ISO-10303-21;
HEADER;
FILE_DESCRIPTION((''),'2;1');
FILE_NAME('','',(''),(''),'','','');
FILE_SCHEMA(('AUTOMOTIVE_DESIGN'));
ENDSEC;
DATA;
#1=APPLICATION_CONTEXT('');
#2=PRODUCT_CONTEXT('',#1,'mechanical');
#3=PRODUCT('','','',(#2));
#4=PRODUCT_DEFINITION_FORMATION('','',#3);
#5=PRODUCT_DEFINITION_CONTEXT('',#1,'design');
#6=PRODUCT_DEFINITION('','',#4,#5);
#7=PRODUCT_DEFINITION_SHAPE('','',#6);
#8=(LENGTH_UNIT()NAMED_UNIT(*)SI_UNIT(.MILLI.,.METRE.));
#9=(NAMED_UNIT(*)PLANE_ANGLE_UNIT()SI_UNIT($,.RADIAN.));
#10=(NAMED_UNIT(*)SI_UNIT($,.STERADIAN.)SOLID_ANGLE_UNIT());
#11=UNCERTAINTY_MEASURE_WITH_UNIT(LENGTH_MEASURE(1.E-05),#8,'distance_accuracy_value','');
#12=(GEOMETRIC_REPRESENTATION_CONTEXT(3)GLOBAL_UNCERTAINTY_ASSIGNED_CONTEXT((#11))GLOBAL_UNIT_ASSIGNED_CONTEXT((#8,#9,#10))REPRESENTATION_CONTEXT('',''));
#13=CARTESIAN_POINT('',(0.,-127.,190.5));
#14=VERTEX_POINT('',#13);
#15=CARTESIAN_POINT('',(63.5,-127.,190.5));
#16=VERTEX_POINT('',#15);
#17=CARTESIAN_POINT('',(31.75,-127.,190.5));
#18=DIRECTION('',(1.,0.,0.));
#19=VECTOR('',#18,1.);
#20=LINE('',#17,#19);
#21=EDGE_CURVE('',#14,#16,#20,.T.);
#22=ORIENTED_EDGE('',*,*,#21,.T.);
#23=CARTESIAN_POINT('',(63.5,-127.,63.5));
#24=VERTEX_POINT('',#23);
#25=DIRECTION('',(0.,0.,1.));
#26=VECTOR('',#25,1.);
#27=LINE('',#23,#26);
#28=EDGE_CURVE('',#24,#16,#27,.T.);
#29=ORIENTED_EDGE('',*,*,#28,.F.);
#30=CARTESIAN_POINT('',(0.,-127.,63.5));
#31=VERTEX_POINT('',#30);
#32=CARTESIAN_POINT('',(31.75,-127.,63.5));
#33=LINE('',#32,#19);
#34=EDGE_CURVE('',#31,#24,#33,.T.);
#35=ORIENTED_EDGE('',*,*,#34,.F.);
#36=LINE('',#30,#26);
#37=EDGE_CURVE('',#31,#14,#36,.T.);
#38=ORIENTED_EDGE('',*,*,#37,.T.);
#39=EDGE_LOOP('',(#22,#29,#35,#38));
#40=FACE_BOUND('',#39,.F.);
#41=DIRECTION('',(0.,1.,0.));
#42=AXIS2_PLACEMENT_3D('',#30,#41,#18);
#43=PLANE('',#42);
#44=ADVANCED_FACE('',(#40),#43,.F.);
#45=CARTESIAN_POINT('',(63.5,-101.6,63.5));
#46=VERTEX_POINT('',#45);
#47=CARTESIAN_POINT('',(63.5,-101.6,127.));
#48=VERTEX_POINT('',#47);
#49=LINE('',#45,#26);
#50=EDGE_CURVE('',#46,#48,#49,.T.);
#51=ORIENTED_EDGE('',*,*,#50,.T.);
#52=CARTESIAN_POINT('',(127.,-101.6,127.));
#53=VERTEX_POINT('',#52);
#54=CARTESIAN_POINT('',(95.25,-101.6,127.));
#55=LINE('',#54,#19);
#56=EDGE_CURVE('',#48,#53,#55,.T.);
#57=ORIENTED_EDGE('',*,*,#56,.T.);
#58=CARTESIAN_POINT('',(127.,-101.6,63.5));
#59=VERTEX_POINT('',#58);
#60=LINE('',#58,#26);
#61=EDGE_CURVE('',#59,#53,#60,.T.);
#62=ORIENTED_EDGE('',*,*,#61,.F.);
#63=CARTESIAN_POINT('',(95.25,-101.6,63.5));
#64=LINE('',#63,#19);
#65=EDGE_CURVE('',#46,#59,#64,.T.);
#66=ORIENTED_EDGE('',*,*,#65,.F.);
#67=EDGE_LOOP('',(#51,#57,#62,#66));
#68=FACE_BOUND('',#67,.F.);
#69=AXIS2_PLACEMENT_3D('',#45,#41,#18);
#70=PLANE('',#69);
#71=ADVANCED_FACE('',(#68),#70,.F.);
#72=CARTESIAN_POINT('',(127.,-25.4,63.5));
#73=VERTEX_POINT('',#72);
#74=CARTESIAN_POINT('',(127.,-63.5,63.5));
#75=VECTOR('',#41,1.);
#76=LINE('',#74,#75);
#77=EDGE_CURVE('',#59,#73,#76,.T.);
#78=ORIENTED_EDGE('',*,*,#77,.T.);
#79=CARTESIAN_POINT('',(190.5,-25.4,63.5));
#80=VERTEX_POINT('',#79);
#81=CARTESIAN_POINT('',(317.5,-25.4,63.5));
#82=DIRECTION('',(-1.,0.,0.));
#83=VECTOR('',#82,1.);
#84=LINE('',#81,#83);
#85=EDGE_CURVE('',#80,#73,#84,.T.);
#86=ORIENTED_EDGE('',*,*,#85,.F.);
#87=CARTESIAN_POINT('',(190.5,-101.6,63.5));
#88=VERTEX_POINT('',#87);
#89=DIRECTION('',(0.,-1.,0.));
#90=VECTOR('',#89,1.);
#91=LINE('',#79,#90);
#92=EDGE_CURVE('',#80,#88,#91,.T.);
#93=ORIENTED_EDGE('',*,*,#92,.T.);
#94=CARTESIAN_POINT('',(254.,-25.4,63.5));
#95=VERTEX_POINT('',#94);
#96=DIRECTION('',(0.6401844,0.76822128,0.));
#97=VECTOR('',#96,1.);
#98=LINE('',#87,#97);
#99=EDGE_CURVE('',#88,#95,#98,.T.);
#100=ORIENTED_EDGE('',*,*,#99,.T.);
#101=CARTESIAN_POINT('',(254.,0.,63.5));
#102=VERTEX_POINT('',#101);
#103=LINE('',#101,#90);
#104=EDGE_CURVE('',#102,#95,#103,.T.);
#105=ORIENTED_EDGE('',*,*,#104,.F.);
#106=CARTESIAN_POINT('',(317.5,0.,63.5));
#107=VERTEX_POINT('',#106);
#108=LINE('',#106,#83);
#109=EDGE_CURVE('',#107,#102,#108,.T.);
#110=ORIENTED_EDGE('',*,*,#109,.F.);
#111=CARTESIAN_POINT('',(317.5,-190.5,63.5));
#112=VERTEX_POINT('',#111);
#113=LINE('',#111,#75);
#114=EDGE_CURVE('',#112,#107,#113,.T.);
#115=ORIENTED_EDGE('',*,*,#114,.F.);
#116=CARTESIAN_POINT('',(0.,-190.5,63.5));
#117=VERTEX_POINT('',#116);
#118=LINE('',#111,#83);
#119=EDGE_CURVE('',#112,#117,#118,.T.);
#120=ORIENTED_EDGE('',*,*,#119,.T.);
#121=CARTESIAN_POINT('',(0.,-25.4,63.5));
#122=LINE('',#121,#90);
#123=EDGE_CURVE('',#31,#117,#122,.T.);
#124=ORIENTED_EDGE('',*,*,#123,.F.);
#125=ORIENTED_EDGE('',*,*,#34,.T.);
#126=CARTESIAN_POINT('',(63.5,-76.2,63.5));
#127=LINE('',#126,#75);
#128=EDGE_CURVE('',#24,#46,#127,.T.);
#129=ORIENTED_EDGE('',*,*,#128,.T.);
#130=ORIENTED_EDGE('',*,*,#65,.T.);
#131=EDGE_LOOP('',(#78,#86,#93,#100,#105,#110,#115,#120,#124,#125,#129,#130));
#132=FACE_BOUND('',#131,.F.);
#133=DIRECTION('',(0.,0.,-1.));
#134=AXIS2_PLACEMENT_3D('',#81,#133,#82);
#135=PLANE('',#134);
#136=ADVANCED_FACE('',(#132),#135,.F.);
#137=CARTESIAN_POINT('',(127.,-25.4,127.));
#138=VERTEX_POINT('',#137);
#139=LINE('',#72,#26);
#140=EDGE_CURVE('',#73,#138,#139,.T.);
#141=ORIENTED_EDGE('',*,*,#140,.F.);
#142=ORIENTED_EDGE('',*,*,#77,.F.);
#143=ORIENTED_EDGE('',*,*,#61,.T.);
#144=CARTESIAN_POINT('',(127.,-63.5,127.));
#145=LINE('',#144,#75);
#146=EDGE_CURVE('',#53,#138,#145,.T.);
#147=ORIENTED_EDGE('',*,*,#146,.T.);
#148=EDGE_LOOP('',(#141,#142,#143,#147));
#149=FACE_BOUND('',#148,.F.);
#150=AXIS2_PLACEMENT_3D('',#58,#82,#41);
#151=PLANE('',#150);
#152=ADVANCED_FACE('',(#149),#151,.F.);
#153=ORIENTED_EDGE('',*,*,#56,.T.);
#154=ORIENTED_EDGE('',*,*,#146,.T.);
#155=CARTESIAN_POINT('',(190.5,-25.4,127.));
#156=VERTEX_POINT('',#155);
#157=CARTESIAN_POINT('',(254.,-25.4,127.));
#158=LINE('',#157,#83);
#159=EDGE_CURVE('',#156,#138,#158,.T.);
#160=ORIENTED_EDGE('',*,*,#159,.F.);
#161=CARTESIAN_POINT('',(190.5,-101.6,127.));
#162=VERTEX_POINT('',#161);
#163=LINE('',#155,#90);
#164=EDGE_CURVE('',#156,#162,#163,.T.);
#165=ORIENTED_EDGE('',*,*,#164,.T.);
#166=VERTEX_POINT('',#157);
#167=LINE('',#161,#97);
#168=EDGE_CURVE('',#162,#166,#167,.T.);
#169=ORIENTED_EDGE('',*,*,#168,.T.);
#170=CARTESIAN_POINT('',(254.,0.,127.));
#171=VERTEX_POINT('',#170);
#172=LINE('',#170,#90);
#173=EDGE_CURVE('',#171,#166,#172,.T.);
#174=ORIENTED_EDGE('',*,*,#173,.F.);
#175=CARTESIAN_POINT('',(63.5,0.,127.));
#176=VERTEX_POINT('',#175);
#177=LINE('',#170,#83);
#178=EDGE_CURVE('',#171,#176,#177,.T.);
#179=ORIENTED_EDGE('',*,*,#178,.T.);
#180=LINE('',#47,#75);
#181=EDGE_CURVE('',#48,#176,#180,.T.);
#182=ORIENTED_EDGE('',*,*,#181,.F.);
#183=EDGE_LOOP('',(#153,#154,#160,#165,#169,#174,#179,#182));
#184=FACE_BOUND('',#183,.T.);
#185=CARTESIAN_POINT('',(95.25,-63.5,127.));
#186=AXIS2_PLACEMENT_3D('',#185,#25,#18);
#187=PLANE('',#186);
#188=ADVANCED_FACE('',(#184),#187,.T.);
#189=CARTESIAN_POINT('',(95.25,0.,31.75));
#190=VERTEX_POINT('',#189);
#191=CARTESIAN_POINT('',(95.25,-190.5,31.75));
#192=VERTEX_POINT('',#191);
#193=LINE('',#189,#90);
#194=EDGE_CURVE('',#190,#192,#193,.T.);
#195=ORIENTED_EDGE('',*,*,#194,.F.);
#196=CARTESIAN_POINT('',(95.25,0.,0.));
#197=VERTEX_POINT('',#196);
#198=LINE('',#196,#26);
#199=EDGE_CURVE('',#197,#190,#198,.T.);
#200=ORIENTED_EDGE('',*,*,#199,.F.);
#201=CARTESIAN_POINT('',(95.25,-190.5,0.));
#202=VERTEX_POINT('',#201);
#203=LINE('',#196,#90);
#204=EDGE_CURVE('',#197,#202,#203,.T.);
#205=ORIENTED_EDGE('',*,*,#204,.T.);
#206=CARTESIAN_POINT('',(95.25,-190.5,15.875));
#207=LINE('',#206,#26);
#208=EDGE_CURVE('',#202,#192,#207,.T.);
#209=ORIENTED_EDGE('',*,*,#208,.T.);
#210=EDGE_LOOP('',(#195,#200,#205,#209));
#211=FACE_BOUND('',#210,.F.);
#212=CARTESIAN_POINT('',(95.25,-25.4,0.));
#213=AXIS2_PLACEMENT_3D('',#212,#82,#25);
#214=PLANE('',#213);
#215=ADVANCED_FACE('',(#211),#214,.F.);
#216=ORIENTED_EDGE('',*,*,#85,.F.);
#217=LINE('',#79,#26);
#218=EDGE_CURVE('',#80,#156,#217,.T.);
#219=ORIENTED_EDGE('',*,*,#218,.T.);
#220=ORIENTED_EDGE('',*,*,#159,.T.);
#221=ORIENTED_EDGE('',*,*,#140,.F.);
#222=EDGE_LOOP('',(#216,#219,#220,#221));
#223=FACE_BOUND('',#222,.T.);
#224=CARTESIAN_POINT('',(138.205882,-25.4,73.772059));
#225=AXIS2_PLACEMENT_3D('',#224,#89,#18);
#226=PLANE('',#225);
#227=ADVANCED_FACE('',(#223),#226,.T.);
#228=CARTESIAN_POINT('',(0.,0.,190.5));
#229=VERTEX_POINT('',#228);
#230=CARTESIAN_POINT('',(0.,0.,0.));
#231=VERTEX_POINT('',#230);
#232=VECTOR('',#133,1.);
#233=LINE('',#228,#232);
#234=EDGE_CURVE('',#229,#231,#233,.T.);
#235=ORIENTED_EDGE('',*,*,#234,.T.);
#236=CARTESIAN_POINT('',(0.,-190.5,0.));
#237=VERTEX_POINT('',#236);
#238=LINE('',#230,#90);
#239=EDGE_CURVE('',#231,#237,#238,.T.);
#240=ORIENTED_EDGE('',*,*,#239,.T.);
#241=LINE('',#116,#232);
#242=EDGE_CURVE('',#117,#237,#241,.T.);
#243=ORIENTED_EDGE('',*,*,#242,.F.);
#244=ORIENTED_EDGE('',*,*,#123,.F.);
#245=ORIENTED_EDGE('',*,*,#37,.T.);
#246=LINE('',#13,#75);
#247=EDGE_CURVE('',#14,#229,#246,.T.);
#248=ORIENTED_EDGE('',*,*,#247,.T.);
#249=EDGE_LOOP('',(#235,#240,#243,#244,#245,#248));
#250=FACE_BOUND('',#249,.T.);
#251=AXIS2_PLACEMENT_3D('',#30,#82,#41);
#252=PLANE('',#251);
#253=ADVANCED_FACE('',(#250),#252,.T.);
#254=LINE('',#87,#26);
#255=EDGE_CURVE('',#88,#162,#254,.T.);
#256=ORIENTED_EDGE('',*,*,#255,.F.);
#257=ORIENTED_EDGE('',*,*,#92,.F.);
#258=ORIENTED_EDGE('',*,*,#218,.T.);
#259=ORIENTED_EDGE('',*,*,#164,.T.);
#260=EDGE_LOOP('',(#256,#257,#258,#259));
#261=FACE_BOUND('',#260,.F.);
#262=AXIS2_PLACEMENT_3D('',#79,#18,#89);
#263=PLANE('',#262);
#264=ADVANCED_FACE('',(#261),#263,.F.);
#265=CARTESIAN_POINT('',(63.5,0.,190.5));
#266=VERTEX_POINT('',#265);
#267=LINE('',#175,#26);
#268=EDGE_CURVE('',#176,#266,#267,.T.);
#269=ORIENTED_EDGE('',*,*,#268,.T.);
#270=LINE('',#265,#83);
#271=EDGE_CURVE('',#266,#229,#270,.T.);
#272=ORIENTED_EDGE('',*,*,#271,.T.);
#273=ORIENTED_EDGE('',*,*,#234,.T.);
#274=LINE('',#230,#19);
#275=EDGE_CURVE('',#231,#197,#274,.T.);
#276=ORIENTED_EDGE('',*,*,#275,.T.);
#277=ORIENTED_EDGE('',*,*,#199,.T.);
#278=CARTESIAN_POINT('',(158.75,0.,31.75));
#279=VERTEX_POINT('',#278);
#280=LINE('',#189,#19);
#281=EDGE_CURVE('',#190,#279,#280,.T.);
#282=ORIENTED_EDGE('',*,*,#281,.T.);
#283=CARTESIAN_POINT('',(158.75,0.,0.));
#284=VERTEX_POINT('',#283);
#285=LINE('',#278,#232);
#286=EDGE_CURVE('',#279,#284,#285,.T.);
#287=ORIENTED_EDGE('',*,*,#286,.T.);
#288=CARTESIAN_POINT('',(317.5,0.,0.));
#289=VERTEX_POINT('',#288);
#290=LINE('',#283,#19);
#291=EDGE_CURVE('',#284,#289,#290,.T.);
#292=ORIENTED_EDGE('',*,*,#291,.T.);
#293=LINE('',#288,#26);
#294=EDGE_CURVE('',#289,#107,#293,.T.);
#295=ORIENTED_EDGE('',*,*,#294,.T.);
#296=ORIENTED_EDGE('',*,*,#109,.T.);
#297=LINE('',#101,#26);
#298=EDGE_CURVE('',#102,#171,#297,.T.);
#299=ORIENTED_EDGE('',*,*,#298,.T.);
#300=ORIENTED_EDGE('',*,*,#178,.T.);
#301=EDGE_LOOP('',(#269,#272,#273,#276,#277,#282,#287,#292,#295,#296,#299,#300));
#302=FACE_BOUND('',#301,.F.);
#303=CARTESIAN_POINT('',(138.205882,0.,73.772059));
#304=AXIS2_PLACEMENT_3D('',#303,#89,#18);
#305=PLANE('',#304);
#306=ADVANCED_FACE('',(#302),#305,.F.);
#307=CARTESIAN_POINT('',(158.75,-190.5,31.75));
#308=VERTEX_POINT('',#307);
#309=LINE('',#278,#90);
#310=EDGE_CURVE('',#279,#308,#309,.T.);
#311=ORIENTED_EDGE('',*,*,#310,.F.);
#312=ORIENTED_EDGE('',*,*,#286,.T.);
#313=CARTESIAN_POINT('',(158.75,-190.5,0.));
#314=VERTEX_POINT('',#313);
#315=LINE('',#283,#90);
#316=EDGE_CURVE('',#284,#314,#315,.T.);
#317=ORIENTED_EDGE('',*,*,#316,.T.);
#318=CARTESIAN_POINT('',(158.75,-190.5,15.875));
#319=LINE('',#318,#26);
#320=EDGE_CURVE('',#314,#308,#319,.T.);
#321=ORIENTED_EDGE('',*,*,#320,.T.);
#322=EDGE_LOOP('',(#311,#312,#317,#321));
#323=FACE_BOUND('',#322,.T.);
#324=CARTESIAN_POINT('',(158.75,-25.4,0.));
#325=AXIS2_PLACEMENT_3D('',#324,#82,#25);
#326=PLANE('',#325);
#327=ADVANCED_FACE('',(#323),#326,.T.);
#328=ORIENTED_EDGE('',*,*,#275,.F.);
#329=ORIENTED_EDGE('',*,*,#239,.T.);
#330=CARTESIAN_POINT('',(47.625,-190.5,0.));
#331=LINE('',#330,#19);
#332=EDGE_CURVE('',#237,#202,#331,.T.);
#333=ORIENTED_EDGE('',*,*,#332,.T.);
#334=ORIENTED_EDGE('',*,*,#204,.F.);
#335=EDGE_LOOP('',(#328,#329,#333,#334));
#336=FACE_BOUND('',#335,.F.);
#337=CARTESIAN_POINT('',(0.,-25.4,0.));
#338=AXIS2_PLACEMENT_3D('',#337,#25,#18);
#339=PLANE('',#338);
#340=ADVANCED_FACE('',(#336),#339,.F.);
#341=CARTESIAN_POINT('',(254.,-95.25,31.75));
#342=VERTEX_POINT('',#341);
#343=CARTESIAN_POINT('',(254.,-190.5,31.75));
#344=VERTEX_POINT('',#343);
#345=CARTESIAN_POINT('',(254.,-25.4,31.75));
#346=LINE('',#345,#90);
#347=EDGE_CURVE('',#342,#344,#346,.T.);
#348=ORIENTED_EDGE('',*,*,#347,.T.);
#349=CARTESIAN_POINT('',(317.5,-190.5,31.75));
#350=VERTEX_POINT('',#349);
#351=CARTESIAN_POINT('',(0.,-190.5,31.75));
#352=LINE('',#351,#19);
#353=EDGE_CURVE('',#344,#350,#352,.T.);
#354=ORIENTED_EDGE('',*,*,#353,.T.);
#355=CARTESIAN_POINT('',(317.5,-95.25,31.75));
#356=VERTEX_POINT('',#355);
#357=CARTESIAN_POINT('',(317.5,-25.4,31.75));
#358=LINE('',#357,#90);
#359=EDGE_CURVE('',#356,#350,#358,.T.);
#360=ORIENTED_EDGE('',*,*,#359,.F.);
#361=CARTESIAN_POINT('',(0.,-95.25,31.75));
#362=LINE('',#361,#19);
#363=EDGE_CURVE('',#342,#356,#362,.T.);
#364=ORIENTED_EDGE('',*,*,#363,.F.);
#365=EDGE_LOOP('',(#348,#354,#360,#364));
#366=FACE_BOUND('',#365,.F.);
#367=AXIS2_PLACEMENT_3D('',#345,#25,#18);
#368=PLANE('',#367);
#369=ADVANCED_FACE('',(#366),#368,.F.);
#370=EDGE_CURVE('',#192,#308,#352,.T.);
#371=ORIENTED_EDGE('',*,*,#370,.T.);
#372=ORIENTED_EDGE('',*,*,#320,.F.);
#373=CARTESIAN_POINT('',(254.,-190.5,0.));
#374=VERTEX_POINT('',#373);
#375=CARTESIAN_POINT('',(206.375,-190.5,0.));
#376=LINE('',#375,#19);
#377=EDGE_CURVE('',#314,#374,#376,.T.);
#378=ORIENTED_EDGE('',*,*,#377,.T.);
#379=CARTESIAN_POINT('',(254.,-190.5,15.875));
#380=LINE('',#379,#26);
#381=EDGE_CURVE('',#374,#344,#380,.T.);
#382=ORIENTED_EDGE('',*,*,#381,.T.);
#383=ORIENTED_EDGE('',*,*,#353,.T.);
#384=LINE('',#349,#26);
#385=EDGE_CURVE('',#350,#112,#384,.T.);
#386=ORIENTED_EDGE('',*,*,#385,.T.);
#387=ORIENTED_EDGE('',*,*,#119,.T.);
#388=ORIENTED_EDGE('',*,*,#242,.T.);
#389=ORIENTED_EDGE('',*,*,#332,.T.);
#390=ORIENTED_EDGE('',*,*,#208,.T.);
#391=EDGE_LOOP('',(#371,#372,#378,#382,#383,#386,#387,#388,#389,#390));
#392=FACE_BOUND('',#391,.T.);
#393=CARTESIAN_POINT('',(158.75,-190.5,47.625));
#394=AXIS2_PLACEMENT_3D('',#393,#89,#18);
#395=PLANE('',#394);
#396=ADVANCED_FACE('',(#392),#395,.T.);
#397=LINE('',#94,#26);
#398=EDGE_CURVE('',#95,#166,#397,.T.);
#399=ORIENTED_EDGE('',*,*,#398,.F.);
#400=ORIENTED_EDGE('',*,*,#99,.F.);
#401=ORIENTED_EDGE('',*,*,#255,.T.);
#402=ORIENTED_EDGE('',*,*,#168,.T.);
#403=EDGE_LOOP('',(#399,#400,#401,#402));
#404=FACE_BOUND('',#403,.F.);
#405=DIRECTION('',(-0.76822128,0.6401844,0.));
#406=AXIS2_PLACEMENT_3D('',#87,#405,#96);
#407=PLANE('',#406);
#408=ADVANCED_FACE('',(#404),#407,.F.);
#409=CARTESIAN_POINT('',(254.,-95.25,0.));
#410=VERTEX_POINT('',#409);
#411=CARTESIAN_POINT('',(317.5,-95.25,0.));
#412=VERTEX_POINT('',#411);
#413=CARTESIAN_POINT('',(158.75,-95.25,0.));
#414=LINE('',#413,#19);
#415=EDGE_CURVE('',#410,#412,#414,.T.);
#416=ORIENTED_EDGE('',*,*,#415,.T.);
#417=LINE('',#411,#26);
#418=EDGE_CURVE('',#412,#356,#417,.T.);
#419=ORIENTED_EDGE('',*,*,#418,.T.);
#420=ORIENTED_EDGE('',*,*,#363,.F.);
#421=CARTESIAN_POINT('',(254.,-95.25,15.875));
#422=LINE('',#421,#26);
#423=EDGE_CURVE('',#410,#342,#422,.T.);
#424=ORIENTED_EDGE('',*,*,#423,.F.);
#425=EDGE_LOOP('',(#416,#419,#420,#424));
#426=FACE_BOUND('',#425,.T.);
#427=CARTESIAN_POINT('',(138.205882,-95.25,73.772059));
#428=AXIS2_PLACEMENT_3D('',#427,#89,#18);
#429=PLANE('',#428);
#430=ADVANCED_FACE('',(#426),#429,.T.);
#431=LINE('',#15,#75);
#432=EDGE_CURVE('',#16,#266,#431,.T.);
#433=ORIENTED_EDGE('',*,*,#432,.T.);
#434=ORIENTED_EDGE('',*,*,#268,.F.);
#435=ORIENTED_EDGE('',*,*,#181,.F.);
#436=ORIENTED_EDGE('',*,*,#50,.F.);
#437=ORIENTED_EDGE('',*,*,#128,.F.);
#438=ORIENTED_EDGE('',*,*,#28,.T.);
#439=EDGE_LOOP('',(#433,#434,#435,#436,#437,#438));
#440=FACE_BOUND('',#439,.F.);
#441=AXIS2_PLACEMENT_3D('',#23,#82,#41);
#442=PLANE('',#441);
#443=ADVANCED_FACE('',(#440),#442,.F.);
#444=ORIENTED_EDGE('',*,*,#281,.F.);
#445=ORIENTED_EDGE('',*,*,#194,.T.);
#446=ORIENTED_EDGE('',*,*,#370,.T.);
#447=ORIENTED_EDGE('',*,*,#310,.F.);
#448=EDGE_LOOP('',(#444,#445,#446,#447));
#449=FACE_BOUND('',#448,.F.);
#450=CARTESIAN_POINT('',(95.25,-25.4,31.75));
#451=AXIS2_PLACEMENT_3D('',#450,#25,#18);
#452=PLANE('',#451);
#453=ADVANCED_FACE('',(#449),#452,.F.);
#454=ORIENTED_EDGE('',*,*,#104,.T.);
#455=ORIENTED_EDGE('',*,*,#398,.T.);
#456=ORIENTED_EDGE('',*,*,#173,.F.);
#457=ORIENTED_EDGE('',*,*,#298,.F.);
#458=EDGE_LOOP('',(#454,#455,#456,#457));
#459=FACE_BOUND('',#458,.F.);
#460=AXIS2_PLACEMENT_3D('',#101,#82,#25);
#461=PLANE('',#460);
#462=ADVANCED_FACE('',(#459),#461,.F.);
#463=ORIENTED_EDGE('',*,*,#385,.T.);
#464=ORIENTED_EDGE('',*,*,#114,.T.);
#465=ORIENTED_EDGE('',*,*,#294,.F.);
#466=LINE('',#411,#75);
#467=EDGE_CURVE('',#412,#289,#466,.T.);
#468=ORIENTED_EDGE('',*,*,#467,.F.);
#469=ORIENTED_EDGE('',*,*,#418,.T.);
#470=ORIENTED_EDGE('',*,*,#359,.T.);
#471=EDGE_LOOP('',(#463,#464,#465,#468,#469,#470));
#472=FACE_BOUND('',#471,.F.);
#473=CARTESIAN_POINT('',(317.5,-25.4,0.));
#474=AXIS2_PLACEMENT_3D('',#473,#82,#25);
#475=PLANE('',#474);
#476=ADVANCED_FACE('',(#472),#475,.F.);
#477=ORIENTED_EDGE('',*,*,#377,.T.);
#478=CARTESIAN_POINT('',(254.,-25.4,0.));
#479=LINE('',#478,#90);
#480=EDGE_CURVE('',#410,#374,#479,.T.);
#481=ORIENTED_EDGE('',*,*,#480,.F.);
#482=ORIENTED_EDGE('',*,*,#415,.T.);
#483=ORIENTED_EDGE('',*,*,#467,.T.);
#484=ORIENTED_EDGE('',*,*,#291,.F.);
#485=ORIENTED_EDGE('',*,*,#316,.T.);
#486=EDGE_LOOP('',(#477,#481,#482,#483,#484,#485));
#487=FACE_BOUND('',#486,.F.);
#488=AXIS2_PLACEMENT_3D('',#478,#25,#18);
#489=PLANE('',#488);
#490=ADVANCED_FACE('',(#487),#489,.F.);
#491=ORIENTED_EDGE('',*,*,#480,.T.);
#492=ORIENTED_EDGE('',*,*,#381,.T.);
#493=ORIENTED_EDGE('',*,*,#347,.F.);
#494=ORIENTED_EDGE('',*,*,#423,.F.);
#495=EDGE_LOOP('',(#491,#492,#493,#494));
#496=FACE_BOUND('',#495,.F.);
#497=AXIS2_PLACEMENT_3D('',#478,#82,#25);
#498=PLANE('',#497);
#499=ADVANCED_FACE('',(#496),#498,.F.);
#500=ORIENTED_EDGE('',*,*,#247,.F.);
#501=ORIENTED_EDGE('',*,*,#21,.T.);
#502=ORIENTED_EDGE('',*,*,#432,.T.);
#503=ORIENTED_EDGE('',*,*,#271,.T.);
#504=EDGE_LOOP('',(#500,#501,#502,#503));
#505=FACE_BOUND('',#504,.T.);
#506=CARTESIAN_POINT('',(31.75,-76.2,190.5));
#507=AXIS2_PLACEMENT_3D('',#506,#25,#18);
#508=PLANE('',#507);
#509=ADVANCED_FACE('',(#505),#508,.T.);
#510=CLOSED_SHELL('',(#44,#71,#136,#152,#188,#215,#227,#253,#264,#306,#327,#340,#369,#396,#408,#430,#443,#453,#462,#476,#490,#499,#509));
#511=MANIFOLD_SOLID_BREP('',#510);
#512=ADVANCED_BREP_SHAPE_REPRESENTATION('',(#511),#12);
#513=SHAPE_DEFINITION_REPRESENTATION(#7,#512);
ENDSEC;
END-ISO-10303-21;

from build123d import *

# Parameters (mm, degrees)
F1_DEPTH = 25.4
F2_W     = 95.25
F2_H     = 31.75
F3_DEPTH = 165.1
F4_DEPTH = 69.85
F5_W     = 63.5
F5_H     = 101.6
F6_DEPTH = 127
F8_W     = 63.5
F8_H     = 76.2
F9_DEPTH = 63.5


with BuildPart() as f1:
    # F0 (on Front) → F1 (new body)
    with BuildSketch(Plane.XZ):
        Polygon((0, 190.5), (0, 0), (95.25, 0), (95.25, 31.75), (158.75, 31.75), (158.75, 0), (317.5, 0), (317.5, 63.5), (254, 63.5), (254, 127), (63.5, 127), (63.5, 190.5), align=None)
    extrude(amount=F1_DEPTH)

    # F2 (on face) → F3 (join)
    with BuildSketch(Plane.XZ.offset(25.4)):
        Polygon((317.5, 63.5), (254, 63.5), (0, 63.5), (0, 31.75), (95.25, 31.75), (158.75, 31.75), (254, 31.75), (317.5, 31.75), align=None)
        with Locations((47.625, 15.875)):
            Rectangle(F2_W, F2_H)
        with Locations((206.375, 15.875)):
            Rectangle(F2_W, F2_H)
    extrude(amount=F3_DEPTH)

    # F4 (add): a face of the model
    f4_faces = [f1.faces().sort_by_distance(p)[0] for p in [
        (285.75, -25.4, 15.875),
    ]]
    extrude(f4_faces, amount=F4_DEPTH)

    # F5 (on face) → F6 (join)
    with BuildSketch(Plane.XY.offset(63.5)):
        with Locations((31.75, -76.2)):
            Rectangle(F5_W, F5_H)
    extrude(amount=F6_DEPTH)

    # F8 (on face) + F7 (on face) → F9 (join)
    with BuildSketch(Plane.XY.offset(63.5)):
        with Locations((95.25, -63.5)):
            Rectangle(F8_W, F8_H)
    with BuildSketch(Plane.XY.offset(63.5)):
        Polygon((254, -25.4), (190.5, -25.4), (190.5, -101.6), align=None)
    extrude(amount=F9_DEPTH)


solid = f1.part
